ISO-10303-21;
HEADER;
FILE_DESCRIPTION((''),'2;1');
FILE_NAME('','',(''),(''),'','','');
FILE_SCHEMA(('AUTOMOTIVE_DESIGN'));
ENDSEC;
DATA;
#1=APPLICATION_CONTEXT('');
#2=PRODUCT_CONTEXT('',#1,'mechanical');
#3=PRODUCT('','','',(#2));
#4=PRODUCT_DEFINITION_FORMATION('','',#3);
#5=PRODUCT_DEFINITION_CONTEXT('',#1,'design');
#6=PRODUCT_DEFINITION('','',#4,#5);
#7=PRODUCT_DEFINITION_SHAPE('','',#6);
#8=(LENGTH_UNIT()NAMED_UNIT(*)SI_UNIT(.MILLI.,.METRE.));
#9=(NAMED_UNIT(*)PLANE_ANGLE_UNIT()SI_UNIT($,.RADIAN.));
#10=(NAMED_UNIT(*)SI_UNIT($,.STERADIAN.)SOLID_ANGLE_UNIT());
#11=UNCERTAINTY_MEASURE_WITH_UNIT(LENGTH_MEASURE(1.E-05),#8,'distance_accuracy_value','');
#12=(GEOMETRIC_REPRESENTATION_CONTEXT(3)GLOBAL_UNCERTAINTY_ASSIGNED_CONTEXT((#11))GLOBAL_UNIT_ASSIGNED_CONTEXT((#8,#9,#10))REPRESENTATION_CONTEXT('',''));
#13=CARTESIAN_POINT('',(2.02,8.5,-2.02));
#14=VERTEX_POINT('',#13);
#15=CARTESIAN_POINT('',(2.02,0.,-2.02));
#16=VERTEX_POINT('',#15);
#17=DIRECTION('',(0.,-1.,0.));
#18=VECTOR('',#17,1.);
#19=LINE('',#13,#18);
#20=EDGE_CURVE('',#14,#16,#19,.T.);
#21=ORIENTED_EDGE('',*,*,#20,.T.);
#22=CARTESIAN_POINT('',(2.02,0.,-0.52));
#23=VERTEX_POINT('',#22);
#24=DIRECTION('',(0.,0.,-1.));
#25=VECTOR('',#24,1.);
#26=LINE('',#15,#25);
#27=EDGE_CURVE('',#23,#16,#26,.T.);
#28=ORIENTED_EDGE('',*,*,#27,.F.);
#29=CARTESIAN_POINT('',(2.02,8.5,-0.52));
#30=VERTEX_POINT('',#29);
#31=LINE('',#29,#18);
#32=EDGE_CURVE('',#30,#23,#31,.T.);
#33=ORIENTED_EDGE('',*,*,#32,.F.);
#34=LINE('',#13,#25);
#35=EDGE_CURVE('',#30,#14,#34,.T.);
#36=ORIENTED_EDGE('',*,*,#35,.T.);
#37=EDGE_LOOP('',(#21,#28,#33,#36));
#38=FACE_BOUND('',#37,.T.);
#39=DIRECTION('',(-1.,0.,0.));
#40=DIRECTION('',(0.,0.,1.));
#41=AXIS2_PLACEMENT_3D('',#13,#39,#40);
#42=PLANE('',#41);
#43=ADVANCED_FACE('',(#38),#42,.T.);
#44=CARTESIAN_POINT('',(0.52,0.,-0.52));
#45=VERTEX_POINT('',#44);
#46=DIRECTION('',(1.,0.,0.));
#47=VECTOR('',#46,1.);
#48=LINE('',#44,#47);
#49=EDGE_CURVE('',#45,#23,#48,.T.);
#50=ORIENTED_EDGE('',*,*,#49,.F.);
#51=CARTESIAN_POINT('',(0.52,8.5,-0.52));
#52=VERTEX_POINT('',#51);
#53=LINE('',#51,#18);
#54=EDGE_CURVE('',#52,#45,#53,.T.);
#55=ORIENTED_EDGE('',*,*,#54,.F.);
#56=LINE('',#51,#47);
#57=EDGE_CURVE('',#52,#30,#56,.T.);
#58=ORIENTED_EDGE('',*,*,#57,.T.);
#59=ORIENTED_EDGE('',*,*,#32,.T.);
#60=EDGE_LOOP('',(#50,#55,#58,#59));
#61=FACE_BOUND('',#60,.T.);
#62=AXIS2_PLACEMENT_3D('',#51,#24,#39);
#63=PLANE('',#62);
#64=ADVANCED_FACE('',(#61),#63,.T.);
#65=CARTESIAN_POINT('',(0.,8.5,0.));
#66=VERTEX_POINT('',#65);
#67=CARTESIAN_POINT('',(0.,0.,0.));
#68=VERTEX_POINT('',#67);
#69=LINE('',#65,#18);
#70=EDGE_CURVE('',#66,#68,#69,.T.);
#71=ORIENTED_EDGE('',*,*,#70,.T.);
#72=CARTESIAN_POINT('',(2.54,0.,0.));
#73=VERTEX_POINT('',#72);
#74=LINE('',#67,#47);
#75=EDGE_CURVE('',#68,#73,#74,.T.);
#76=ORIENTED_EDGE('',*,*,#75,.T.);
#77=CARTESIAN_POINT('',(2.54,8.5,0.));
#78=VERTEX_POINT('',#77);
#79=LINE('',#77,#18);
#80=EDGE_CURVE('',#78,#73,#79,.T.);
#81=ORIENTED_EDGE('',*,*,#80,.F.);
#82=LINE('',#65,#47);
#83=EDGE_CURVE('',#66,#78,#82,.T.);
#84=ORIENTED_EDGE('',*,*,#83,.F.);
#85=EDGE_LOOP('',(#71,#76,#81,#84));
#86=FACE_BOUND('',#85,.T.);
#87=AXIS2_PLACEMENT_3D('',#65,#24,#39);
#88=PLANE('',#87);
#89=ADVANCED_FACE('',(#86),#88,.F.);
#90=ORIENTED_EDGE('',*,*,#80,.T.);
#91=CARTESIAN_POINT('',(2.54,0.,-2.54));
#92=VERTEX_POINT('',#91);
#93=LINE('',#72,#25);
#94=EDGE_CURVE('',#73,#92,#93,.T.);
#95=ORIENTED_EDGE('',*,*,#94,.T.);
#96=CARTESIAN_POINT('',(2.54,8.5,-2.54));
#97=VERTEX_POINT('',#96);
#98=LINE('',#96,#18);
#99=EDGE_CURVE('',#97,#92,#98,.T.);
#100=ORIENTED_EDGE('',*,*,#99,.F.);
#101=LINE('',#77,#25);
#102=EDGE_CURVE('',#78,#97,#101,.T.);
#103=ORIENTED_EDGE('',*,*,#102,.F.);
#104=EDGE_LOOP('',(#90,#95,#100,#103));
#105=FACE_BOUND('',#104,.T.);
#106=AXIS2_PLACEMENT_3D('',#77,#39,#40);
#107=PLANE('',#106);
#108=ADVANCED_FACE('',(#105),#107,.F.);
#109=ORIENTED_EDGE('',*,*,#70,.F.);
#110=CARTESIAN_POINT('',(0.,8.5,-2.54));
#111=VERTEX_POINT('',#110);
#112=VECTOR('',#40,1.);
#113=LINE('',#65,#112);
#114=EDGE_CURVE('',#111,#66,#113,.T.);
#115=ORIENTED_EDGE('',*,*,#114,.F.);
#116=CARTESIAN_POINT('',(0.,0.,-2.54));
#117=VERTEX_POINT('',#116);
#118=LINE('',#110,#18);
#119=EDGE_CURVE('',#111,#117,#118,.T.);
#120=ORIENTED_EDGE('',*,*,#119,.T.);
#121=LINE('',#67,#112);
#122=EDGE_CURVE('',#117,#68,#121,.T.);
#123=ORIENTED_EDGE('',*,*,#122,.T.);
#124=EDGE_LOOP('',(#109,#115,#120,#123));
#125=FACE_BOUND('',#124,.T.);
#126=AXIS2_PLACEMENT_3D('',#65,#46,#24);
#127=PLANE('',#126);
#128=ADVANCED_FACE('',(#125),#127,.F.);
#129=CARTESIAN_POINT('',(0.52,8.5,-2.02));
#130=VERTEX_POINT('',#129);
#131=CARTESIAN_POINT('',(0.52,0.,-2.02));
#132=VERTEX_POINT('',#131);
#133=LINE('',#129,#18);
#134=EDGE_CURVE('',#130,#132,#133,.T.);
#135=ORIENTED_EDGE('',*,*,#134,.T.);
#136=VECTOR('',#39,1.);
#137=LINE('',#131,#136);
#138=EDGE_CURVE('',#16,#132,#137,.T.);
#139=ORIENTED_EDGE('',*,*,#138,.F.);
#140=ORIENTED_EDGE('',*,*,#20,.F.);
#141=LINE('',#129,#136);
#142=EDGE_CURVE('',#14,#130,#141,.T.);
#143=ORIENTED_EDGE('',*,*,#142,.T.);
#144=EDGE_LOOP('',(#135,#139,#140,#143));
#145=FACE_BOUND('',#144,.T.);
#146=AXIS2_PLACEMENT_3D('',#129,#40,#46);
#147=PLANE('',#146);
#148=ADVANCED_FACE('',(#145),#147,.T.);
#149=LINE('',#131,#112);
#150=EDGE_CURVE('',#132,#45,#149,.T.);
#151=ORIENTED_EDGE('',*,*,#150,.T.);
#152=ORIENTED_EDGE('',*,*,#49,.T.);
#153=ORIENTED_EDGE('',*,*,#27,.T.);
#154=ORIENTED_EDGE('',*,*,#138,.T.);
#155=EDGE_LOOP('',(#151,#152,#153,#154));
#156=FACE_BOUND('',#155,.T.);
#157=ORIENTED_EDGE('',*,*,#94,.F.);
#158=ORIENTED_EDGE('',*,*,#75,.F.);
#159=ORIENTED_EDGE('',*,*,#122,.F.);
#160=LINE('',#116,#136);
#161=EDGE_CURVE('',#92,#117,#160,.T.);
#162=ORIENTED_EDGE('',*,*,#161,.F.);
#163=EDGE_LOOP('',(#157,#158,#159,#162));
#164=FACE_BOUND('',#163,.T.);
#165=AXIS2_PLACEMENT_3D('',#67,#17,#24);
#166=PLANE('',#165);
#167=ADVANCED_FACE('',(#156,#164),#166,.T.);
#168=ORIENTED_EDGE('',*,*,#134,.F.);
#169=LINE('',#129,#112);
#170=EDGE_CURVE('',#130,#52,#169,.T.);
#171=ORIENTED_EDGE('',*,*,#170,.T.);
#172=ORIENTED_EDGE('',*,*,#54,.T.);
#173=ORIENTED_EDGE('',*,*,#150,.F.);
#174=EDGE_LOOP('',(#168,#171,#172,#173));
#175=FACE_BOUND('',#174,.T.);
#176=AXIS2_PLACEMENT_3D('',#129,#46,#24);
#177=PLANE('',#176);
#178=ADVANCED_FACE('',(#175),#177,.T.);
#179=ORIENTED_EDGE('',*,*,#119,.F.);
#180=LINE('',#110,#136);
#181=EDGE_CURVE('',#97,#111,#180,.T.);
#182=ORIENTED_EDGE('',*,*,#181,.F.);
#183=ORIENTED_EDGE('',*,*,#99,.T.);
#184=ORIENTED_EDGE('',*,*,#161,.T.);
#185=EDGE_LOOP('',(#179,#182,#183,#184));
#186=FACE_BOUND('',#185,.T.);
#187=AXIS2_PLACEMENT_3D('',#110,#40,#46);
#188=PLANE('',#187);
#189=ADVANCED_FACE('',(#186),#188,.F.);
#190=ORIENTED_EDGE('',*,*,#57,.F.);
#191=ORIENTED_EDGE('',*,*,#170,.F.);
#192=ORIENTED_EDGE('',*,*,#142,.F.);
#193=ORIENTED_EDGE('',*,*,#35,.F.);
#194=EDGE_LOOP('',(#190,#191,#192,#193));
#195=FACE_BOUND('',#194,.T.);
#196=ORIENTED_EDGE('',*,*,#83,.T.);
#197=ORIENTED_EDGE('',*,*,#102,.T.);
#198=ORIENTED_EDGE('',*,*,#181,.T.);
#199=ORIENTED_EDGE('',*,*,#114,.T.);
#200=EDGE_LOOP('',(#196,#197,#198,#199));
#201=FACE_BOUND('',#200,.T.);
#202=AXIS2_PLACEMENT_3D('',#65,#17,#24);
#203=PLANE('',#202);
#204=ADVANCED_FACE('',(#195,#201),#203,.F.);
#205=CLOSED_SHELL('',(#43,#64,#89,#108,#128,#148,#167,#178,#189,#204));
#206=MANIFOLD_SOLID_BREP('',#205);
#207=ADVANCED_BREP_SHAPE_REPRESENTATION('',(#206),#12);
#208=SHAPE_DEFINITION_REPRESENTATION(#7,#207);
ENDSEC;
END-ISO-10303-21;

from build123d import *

# Parameters (mm, degrees)
SKETCH_1_W      = 2.54
SKETCH_1_H      = 2.54
SKETCH_1_W_2    = 1.5
SKETCH_1_H_2    = 1.5
EXTRUDE_1_DEPTH = 8.5


with BuildPart() as part:
    # Эскиз1 → Бобышка-Вытянуть1 (new body)
    with BuildSketch(Plane(origin=(0, 0, 0), x_dir=(1, 0, 0), z_dir=(0, 1, 0))):
        with Locations((1.27, 1.27)):
            Rectangle(SKETCH_1_W, SKETCH_1_H)
        with Locations((1.27, 1.27)):
            Rectangle(SKETCH_1_W_2, SKETCH_1_H_2, mode=Mode.SUBTRACT)
    extrude(amount=EXTRUDE_1_DEPTH)


solid = part.part
